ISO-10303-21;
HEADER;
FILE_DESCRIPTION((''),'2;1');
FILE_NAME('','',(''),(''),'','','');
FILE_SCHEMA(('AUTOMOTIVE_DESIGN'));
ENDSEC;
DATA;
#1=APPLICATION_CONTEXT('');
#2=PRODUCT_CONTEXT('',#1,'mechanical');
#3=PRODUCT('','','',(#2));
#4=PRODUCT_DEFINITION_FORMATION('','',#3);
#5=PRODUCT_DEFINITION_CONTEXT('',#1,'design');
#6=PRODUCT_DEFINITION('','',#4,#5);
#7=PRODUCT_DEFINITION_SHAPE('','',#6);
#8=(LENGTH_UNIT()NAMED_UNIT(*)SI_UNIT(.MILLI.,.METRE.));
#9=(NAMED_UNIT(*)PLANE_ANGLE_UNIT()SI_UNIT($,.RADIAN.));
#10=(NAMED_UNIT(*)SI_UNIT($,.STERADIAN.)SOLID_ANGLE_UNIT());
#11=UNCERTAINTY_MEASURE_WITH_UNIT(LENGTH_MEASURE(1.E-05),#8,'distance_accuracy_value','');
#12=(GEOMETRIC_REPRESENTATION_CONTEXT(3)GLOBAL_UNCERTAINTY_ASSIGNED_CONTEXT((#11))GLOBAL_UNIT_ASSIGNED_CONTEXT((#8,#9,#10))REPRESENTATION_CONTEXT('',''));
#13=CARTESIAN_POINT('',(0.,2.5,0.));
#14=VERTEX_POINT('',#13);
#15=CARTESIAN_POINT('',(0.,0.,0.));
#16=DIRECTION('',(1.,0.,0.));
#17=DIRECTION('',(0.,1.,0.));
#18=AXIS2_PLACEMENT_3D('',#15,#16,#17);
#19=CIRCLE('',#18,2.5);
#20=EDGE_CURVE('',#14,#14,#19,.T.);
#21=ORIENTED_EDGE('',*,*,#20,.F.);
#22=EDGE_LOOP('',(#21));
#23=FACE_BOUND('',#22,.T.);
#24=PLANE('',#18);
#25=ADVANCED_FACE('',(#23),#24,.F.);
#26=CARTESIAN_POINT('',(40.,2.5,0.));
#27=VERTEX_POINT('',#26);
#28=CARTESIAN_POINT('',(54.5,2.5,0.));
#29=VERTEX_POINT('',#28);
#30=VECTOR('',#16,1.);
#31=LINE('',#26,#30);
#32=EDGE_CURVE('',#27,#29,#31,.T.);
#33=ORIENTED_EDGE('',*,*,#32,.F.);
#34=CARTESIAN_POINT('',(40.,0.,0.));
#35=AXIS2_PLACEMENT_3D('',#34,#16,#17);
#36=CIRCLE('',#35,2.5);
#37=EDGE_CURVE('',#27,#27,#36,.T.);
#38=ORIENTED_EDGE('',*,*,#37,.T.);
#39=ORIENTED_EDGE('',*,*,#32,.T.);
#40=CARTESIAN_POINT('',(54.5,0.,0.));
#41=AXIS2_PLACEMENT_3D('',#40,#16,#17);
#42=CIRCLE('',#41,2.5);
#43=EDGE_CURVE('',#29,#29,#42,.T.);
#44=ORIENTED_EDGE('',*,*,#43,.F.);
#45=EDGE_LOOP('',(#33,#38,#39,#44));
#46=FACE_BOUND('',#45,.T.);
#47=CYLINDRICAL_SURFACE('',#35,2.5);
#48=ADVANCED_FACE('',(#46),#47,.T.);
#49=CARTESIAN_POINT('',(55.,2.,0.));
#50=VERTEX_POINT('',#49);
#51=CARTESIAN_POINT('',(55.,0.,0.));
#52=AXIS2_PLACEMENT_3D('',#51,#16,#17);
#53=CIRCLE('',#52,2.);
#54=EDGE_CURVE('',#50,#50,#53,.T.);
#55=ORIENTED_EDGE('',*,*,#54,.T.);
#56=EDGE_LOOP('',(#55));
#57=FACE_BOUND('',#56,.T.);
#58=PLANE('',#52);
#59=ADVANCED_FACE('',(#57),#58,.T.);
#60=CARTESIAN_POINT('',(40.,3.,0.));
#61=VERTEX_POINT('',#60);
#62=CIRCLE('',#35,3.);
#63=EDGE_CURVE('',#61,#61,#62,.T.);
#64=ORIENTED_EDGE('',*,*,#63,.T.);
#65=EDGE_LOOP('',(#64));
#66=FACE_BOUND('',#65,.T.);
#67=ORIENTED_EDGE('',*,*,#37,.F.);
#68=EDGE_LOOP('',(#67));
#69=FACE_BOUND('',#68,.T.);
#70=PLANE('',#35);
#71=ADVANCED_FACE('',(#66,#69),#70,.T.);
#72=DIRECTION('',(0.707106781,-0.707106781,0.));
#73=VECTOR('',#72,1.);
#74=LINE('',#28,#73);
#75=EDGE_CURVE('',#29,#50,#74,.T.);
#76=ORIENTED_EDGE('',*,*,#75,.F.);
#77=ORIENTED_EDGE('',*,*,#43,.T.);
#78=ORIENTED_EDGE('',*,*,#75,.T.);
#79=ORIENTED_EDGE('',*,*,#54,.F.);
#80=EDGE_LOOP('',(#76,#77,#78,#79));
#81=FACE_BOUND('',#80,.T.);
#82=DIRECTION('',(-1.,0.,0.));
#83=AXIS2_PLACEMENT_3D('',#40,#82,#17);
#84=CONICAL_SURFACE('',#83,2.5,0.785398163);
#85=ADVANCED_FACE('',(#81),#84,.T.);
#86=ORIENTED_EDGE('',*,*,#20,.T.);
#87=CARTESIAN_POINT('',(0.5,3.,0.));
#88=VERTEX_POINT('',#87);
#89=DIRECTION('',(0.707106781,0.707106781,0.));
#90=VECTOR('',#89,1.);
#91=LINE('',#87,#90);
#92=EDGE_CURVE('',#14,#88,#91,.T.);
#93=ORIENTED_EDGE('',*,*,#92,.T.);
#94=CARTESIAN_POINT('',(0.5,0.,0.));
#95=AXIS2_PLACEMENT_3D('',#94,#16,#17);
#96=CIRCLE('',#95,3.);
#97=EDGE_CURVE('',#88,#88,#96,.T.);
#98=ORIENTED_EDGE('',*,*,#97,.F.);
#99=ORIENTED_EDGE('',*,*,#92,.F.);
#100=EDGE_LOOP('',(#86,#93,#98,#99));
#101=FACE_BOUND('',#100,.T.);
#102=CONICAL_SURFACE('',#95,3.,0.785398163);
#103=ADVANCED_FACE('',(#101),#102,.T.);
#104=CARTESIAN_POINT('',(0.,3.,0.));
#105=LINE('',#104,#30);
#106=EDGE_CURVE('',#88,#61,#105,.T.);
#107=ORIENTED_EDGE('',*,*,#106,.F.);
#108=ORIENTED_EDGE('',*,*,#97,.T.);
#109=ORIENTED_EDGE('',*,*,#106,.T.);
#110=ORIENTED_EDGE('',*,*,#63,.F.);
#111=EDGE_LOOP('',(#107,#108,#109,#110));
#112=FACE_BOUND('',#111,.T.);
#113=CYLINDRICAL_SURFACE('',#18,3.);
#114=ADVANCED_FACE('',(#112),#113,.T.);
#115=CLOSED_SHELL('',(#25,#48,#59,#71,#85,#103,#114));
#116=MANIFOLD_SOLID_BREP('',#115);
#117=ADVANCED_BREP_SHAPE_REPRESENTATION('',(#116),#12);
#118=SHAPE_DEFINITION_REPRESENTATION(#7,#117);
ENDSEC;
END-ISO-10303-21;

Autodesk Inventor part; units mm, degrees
ref_plane "Startebene" through (0, 0, 0) normal (1, 0, 0) x (0, 1, 0)
ref_plane "XZ Plane" through (0, 0, 0) normal (0, 1, 0) x (-1, 0, 0)
ref_plane "XY Plane" through (0, 0, 0) normal (0, 0, 1) x (1, 0, 0)
sketch "Hauptskizze" plane through (0, 0, 0) normal (0, 0, 1) x (1, 0, 0)
  line L0 (0, 0) -> (55, 0)
  line L1 (0, 0) -> (0, 3)
  line L2 (40, 3) -> (40, 2.5)
  line L3 (0, 3) -> (40, 3)
  line L4 (55, 2.5) -> (55, 0)
  line L5 (40, 2.5) -> (55, 2.5)
  dimension "d3" = 6
  dimension "d14" = 5
revolve "Umdrehung1" add sketch "Hauptskizze" angle 360 about axis through (0, 0, 0) along (1, 0, 0)
chamfer "Fase4" distance 0.5 angle 45 1 edges at (0, -3, 0) measured on face at (26.6667, 2.9612, -0.4812)
chamfer "Fase5" distance 0.5 angle 45 1 edges at (55, -2.5, 0) measured on face at (50, 2.4919, -0.2012)
properties part number "Welle 5x15+6x45" material "Steel"
